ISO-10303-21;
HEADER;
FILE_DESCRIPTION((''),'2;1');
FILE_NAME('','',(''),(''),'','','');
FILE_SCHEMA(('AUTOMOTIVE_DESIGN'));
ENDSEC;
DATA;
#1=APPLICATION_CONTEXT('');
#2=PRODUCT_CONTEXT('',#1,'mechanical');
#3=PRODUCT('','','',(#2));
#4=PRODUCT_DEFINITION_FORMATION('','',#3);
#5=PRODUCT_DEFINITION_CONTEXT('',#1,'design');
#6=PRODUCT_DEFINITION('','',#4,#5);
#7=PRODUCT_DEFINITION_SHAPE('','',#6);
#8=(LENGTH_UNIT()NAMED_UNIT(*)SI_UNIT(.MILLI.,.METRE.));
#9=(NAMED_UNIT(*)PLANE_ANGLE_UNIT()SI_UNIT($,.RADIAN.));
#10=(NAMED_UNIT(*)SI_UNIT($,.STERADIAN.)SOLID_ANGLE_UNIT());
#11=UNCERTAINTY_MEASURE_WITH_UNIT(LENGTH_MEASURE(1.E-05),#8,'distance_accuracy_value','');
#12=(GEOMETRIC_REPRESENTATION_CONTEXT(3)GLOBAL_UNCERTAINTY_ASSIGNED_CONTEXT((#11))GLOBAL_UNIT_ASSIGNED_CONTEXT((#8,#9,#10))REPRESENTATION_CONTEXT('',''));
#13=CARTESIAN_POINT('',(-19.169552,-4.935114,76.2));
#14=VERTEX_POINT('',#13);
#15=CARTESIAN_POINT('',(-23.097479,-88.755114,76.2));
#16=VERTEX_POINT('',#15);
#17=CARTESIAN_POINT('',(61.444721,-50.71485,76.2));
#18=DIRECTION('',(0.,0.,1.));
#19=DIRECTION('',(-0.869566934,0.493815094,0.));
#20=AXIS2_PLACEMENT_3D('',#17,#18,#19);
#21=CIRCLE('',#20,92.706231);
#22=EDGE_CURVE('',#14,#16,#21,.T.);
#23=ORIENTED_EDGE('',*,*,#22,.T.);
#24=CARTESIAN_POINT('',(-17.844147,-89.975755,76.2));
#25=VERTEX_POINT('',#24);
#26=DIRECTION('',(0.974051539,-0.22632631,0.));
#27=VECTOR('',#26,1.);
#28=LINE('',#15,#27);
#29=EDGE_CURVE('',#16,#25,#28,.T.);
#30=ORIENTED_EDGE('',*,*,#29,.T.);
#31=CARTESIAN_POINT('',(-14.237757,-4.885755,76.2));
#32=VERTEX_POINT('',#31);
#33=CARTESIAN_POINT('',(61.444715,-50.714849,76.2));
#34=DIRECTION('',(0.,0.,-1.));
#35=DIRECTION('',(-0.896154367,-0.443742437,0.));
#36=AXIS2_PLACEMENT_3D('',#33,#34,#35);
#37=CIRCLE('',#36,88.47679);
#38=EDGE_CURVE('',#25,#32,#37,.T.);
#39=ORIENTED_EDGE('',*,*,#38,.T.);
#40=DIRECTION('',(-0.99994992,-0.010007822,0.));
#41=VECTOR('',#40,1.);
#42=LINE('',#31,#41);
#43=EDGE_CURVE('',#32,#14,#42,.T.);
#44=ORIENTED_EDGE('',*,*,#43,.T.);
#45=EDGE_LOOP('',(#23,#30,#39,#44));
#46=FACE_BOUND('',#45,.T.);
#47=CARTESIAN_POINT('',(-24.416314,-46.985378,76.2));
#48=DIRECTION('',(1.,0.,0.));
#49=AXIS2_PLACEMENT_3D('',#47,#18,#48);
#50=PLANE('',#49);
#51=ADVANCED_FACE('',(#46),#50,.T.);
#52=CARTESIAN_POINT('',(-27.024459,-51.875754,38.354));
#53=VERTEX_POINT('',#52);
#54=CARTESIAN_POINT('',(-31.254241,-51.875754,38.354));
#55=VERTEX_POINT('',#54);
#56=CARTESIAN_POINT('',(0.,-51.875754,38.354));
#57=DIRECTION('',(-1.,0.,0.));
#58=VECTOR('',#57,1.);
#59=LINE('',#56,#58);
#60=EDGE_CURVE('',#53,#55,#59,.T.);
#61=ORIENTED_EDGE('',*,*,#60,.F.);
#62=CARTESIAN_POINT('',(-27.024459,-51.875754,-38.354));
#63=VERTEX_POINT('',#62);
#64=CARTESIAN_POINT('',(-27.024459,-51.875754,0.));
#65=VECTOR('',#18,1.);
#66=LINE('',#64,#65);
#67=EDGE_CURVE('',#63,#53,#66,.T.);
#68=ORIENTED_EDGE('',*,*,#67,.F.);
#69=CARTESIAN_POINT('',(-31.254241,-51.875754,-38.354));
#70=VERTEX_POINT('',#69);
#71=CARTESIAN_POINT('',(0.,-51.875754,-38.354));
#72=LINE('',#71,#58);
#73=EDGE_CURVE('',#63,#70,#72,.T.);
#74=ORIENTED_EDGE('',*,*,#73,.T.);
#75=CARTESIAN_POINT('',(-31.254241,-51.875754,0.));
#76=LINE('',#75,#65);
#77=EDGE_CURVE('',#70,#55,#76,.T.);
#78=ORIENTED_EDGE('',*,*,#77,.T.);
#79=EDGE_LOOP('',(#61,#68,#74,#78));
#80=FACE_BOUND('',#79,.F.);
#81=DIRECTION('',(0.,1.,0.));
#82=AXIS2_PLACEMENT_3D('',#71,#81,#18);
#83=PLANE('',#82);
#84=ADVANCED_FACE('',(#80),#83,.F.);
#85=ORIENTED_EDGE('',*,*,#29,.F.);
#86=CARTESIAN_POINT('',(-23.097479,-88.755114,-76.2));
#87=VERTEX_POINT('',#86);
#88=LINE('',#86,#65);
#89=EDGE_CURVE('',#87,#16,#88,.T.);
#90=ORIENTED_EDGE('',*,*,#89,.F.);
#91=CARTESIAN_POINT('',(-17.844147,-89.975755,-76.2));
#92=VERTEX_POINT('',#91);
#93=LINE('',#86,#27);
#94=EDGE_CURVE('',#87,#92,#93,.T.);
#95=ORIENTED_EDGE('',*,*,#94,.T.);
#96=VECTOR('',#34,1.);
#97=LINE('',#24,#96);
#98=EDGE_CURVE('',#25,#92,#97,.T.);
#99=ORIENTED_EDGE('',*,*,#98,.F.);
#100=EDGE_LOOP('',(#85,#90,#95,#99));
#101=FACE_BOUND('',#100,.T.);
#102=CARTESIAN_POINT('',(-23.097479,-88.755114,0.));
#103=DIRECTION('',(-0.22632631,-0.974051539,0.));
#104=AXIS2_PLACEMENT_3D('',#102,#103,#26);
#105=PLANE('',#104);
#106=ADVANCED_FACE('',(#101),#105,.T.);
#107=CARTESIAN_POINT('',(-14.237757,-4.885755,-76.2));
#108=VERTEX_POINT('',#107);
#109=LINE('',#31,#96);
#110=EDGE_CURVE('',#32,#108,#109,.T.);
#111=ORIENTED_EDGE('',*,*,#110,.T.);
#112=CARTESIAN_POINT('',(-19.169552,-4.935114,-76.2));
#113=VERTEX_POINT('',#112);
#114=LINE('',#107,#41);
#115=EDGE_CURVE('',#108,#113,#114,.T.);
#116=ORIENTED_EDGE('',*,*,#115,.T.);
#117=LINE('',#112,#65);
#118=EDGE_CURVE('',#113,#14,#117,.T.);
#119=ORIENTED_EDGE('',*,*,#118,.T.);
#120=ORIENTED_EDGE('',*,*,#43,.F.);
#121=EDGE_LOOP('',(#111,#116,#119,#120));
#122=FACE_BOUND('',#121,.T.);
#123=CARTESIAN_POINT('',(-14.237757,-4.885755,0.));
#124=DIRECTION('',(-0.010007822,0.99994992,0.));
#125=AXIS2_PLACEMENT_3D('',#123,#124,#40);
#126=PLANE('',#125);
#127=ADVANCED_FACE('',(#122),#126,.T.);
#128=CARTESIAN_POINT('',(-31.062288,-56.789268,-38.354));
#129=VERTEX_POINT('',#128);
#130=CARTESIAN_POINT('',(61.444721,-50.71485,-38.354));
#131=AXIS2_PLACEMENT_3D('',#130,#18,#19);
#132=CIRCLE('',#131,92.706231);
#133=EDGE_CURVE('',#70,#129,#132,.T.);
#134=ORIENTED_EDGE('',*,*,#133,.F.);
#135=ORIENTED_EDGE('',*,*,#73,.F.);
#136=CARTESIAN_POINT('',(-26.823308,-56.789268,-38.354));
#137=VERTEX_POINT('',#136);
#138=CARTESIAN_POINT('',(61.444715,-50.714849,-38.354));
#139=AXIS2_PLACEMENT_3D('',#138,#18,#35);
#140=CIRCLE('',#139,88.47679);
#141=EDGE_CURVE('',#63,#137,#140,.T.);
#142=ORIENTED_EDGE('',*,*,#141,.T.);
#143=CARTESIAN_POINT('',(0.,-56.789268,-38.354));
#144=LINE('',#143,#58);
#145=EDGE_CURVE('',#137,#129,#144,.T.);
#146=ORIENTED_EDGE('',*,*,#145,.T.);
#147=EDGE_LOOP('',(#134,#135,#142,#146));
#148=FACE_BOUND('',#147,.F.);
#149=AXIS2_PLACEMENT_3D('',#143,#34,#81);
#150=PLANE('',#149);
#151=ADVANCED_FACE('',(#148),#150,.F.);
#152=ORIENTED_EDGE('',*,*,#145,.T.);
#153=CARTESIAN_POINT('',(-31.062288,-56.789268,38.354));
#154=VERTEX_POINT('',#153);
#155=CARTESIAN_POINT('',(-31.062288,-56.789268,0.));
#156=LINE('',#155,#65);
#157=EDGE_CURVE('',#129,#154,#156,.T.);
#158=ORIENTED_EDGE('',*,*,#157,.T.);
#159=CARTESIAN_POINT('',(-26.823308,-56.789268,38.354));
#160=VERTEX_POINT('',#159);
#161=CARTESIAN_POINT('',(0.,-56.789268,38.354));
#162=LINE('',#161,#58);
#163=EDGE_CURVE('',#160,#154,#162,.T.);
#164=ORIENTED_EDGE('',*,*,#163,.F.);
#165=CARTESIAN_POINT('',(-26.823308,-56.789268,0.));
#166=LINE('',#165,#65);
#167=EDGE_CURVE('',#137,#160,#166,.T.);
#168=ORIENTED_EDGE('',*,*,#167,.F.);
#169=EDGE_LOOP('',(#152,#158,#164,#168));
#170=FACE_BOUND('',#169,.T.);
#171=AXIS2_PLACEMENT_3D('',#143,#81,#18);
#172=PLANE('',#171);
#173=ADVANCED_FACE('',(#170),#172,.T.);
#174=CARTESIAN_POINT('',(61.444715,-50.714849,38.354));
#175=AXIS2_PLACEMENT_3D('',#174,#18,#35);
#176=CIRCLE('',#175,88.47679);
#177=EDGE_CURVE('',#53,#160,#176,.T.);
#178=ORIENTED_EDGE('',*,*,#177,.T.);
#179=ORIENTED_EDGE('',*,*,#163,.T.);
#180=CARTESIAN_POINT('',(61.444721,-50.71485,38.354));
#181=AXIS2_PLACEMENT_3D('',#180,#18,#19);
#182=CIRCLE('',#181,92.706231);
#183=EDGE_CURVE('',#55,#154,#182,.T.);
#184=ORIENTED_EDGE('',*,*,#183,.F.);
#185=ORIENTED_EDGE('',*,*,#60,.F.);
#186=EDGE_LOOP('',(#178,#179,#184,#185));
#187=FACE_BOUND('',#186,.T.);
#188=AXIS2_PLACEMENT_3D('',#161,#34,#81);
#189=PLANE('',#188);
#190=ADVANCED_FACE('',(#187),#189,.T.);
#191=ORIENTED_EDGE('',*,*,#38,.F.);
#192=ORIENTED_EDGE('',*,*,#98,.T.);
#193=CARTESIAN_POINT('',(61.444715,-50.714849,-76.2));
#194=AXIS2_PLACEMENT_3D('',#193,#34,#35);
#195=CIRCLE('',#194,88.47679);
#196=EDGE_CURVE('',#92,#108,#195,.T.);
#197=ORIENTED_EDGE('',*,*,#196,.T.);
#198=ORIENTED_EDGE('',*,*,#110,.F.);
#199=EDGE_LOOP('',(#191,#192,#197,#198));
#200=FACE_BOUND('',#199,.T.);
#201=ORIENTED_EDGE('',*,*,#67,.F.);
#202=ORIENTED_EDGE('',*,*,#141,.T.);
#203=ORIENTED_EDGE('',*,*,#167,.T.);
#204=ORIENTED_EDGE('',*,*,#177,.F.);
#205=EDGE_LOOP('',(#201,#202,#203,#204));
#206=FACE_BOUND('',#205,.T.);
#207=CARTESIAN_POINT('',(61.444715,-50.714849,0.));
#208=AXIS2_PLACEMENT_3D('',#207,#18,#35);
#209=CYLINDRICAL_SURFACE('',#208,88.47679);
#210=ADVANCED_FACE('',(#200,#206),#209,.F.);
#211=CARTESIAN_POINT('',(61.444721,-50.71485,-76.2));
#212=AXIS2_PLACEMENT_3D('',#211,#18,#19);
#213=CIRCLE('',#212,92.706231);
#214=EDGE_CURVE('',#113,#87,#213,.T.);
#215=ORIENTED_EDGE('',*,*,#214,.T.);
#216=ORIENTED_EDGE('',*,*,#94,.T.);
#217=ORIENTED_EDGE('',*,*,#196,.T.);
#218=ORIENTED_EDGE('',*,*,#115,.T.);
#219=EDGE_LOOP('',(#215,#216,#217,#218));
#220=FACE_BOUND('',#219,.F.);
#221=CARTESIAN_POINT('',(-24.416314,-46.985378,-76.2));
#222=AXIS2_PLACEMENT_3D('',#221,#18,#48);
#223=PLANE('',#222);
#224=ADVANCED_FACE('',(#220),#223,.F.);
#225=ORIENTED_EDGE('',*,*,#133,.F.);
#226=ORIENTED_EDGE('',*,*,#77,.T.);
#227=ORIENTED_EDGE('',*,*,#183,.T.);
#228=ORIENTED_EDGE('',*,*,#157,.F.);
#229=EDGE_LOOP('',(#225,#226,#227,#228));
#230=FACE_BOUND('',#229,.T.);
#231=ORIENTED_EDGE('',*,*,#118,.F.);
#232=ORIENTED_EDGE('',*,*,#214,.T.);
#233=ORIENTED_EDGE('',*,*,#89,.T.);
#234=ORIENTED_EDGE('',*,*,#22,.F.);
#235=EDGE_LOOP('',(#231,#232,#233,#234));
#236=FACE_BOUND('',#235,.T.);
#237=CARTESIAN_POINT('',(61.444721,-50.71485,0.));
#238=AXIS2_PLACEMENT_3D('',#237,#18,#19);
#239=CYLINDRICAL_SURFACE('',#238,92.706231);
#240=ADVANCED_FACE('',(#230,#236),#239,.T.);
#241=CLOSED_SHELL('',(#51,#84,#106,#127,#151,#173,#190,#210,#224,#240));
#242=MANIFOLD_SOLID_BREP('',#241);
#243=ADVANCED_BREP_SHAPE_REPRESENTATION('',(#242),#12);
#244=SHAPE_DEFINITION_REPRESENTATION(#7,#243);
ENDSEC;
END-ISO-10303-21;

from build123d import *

# Parameters (mm, degrees)
F1_DEPTH = 76.2
F2_W     = 4.913513
F2_H     = 76.708
F3_DEPTH = 50.8


with BuildPart() as f1:
    # F0 (on Top) → F1 (new body, symmetric)
    with BuildSketch(Plane.XY):
        with BuildLine():
            Line((-14.237757, -4.885755), (-19.169552, -4.935114))
            ThreePointArc((-19.169552, -4.935114), (-31.159886, -46.375263), (-23.097479, -88.755114))
            Line((-23.097479, -88.755114), (-17.844147, -89.975755))
            ThreePointArc((-17.844147, -89.975755), (-26.952715, -46.96828), (-14.237757, -4.885755))
        make_face()
    extrude(amount=F1_DEPTH, both=True)

    # F2 (on Right) → F3 (cut)
    with BuildSketch(Plane.YZ):
        with Locations((-54.332511, 0)):
            Rectangle(F2_W, F2_H)
    extrude(amount=-F3_DEPTH, mode=Mode.SUBTRACT)


solid = f1.part
